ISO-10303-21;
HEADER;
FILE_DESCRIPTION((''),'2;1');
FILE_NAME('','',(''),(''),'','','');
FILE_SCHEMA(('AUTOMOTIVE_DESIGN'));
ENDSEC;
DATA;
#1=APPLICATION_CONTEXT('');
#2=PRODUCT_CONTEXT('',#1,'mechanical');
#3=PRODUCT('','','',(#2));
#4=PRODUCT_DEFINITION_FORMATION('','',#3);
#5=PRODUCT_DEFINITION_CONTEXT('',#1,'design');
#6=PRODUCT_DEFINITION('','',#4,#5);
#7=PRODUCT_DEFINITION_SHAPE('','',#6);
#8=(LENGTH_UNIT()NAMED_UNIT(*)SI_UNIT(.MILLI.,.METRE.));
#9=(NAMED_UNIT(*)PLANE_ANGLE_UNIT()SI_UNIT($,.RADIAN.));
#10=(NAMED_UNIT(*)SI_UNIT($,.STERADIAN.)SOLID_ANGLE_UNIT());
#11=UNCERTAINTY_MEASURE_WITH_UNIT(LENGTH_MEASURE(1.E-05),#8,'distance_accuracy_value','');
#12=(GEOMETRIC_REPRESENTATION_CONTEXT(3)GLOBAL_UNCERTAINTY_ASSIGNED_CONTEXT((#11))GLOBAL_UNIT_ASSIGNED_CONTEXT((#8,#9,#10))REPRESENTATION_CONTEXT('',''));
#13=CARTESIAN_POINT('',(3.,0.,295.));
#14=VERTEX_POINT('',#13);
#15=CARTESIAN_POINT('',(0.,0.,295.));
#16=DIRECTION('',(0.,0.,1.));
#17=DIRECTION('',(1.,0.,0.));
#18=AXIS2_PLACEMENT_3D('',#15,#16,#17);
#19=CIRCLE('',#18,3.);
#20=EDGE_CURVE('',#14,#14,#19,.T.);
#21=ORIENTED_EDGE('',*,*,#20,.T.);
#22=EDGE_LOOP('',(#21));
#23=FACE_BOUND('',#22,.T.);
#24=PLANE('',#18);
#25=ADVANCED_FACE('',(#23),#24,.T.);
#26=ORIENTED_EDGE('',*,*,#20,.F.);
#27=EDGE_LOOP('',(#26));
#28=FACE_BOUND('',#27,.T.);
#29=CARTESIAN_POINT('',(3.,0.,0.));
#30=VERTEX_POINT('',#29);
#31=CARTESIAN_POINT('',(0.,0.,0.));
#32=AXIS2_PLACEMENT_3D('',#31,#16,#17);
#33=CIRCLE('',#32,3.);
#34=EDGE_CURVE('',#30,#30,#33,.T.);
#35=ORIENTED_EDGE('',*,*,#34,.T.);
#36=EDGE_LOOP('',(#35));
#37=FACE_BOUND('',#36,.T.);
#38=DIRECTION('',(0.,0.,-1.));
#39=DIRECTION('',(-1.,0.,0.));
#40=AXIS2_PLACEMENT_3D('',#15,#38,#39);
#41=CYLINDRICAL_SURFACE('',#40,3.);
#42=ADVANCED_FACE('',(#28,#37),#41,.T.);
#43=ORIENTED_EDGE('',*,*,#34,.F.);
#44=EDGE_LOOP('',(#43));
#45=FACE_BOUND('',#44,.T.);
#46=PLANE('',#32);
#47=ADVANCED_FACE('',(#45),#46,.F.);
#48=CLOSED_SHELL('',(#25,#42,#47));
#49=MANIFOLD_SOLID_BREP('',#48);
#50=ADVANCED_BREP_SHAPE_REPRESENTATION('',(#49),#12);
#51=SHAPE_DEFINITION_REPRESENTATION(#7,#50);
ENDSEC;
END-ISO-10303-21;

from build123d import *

# Parameters (mm, degrees)
SKETCH1_R           = 3
BOSS_EXTRUDE1_DEPTH = 295


with BuildPart() as part:
    # Sketch1 → Boss-Extrude1 (new body)
    with BuildSketch(Plane.XY):
        Circle(SKETCH1_R)
    extrude(amount=BOSS_EXTRUDE1_DEPTH)


solid = part.part
